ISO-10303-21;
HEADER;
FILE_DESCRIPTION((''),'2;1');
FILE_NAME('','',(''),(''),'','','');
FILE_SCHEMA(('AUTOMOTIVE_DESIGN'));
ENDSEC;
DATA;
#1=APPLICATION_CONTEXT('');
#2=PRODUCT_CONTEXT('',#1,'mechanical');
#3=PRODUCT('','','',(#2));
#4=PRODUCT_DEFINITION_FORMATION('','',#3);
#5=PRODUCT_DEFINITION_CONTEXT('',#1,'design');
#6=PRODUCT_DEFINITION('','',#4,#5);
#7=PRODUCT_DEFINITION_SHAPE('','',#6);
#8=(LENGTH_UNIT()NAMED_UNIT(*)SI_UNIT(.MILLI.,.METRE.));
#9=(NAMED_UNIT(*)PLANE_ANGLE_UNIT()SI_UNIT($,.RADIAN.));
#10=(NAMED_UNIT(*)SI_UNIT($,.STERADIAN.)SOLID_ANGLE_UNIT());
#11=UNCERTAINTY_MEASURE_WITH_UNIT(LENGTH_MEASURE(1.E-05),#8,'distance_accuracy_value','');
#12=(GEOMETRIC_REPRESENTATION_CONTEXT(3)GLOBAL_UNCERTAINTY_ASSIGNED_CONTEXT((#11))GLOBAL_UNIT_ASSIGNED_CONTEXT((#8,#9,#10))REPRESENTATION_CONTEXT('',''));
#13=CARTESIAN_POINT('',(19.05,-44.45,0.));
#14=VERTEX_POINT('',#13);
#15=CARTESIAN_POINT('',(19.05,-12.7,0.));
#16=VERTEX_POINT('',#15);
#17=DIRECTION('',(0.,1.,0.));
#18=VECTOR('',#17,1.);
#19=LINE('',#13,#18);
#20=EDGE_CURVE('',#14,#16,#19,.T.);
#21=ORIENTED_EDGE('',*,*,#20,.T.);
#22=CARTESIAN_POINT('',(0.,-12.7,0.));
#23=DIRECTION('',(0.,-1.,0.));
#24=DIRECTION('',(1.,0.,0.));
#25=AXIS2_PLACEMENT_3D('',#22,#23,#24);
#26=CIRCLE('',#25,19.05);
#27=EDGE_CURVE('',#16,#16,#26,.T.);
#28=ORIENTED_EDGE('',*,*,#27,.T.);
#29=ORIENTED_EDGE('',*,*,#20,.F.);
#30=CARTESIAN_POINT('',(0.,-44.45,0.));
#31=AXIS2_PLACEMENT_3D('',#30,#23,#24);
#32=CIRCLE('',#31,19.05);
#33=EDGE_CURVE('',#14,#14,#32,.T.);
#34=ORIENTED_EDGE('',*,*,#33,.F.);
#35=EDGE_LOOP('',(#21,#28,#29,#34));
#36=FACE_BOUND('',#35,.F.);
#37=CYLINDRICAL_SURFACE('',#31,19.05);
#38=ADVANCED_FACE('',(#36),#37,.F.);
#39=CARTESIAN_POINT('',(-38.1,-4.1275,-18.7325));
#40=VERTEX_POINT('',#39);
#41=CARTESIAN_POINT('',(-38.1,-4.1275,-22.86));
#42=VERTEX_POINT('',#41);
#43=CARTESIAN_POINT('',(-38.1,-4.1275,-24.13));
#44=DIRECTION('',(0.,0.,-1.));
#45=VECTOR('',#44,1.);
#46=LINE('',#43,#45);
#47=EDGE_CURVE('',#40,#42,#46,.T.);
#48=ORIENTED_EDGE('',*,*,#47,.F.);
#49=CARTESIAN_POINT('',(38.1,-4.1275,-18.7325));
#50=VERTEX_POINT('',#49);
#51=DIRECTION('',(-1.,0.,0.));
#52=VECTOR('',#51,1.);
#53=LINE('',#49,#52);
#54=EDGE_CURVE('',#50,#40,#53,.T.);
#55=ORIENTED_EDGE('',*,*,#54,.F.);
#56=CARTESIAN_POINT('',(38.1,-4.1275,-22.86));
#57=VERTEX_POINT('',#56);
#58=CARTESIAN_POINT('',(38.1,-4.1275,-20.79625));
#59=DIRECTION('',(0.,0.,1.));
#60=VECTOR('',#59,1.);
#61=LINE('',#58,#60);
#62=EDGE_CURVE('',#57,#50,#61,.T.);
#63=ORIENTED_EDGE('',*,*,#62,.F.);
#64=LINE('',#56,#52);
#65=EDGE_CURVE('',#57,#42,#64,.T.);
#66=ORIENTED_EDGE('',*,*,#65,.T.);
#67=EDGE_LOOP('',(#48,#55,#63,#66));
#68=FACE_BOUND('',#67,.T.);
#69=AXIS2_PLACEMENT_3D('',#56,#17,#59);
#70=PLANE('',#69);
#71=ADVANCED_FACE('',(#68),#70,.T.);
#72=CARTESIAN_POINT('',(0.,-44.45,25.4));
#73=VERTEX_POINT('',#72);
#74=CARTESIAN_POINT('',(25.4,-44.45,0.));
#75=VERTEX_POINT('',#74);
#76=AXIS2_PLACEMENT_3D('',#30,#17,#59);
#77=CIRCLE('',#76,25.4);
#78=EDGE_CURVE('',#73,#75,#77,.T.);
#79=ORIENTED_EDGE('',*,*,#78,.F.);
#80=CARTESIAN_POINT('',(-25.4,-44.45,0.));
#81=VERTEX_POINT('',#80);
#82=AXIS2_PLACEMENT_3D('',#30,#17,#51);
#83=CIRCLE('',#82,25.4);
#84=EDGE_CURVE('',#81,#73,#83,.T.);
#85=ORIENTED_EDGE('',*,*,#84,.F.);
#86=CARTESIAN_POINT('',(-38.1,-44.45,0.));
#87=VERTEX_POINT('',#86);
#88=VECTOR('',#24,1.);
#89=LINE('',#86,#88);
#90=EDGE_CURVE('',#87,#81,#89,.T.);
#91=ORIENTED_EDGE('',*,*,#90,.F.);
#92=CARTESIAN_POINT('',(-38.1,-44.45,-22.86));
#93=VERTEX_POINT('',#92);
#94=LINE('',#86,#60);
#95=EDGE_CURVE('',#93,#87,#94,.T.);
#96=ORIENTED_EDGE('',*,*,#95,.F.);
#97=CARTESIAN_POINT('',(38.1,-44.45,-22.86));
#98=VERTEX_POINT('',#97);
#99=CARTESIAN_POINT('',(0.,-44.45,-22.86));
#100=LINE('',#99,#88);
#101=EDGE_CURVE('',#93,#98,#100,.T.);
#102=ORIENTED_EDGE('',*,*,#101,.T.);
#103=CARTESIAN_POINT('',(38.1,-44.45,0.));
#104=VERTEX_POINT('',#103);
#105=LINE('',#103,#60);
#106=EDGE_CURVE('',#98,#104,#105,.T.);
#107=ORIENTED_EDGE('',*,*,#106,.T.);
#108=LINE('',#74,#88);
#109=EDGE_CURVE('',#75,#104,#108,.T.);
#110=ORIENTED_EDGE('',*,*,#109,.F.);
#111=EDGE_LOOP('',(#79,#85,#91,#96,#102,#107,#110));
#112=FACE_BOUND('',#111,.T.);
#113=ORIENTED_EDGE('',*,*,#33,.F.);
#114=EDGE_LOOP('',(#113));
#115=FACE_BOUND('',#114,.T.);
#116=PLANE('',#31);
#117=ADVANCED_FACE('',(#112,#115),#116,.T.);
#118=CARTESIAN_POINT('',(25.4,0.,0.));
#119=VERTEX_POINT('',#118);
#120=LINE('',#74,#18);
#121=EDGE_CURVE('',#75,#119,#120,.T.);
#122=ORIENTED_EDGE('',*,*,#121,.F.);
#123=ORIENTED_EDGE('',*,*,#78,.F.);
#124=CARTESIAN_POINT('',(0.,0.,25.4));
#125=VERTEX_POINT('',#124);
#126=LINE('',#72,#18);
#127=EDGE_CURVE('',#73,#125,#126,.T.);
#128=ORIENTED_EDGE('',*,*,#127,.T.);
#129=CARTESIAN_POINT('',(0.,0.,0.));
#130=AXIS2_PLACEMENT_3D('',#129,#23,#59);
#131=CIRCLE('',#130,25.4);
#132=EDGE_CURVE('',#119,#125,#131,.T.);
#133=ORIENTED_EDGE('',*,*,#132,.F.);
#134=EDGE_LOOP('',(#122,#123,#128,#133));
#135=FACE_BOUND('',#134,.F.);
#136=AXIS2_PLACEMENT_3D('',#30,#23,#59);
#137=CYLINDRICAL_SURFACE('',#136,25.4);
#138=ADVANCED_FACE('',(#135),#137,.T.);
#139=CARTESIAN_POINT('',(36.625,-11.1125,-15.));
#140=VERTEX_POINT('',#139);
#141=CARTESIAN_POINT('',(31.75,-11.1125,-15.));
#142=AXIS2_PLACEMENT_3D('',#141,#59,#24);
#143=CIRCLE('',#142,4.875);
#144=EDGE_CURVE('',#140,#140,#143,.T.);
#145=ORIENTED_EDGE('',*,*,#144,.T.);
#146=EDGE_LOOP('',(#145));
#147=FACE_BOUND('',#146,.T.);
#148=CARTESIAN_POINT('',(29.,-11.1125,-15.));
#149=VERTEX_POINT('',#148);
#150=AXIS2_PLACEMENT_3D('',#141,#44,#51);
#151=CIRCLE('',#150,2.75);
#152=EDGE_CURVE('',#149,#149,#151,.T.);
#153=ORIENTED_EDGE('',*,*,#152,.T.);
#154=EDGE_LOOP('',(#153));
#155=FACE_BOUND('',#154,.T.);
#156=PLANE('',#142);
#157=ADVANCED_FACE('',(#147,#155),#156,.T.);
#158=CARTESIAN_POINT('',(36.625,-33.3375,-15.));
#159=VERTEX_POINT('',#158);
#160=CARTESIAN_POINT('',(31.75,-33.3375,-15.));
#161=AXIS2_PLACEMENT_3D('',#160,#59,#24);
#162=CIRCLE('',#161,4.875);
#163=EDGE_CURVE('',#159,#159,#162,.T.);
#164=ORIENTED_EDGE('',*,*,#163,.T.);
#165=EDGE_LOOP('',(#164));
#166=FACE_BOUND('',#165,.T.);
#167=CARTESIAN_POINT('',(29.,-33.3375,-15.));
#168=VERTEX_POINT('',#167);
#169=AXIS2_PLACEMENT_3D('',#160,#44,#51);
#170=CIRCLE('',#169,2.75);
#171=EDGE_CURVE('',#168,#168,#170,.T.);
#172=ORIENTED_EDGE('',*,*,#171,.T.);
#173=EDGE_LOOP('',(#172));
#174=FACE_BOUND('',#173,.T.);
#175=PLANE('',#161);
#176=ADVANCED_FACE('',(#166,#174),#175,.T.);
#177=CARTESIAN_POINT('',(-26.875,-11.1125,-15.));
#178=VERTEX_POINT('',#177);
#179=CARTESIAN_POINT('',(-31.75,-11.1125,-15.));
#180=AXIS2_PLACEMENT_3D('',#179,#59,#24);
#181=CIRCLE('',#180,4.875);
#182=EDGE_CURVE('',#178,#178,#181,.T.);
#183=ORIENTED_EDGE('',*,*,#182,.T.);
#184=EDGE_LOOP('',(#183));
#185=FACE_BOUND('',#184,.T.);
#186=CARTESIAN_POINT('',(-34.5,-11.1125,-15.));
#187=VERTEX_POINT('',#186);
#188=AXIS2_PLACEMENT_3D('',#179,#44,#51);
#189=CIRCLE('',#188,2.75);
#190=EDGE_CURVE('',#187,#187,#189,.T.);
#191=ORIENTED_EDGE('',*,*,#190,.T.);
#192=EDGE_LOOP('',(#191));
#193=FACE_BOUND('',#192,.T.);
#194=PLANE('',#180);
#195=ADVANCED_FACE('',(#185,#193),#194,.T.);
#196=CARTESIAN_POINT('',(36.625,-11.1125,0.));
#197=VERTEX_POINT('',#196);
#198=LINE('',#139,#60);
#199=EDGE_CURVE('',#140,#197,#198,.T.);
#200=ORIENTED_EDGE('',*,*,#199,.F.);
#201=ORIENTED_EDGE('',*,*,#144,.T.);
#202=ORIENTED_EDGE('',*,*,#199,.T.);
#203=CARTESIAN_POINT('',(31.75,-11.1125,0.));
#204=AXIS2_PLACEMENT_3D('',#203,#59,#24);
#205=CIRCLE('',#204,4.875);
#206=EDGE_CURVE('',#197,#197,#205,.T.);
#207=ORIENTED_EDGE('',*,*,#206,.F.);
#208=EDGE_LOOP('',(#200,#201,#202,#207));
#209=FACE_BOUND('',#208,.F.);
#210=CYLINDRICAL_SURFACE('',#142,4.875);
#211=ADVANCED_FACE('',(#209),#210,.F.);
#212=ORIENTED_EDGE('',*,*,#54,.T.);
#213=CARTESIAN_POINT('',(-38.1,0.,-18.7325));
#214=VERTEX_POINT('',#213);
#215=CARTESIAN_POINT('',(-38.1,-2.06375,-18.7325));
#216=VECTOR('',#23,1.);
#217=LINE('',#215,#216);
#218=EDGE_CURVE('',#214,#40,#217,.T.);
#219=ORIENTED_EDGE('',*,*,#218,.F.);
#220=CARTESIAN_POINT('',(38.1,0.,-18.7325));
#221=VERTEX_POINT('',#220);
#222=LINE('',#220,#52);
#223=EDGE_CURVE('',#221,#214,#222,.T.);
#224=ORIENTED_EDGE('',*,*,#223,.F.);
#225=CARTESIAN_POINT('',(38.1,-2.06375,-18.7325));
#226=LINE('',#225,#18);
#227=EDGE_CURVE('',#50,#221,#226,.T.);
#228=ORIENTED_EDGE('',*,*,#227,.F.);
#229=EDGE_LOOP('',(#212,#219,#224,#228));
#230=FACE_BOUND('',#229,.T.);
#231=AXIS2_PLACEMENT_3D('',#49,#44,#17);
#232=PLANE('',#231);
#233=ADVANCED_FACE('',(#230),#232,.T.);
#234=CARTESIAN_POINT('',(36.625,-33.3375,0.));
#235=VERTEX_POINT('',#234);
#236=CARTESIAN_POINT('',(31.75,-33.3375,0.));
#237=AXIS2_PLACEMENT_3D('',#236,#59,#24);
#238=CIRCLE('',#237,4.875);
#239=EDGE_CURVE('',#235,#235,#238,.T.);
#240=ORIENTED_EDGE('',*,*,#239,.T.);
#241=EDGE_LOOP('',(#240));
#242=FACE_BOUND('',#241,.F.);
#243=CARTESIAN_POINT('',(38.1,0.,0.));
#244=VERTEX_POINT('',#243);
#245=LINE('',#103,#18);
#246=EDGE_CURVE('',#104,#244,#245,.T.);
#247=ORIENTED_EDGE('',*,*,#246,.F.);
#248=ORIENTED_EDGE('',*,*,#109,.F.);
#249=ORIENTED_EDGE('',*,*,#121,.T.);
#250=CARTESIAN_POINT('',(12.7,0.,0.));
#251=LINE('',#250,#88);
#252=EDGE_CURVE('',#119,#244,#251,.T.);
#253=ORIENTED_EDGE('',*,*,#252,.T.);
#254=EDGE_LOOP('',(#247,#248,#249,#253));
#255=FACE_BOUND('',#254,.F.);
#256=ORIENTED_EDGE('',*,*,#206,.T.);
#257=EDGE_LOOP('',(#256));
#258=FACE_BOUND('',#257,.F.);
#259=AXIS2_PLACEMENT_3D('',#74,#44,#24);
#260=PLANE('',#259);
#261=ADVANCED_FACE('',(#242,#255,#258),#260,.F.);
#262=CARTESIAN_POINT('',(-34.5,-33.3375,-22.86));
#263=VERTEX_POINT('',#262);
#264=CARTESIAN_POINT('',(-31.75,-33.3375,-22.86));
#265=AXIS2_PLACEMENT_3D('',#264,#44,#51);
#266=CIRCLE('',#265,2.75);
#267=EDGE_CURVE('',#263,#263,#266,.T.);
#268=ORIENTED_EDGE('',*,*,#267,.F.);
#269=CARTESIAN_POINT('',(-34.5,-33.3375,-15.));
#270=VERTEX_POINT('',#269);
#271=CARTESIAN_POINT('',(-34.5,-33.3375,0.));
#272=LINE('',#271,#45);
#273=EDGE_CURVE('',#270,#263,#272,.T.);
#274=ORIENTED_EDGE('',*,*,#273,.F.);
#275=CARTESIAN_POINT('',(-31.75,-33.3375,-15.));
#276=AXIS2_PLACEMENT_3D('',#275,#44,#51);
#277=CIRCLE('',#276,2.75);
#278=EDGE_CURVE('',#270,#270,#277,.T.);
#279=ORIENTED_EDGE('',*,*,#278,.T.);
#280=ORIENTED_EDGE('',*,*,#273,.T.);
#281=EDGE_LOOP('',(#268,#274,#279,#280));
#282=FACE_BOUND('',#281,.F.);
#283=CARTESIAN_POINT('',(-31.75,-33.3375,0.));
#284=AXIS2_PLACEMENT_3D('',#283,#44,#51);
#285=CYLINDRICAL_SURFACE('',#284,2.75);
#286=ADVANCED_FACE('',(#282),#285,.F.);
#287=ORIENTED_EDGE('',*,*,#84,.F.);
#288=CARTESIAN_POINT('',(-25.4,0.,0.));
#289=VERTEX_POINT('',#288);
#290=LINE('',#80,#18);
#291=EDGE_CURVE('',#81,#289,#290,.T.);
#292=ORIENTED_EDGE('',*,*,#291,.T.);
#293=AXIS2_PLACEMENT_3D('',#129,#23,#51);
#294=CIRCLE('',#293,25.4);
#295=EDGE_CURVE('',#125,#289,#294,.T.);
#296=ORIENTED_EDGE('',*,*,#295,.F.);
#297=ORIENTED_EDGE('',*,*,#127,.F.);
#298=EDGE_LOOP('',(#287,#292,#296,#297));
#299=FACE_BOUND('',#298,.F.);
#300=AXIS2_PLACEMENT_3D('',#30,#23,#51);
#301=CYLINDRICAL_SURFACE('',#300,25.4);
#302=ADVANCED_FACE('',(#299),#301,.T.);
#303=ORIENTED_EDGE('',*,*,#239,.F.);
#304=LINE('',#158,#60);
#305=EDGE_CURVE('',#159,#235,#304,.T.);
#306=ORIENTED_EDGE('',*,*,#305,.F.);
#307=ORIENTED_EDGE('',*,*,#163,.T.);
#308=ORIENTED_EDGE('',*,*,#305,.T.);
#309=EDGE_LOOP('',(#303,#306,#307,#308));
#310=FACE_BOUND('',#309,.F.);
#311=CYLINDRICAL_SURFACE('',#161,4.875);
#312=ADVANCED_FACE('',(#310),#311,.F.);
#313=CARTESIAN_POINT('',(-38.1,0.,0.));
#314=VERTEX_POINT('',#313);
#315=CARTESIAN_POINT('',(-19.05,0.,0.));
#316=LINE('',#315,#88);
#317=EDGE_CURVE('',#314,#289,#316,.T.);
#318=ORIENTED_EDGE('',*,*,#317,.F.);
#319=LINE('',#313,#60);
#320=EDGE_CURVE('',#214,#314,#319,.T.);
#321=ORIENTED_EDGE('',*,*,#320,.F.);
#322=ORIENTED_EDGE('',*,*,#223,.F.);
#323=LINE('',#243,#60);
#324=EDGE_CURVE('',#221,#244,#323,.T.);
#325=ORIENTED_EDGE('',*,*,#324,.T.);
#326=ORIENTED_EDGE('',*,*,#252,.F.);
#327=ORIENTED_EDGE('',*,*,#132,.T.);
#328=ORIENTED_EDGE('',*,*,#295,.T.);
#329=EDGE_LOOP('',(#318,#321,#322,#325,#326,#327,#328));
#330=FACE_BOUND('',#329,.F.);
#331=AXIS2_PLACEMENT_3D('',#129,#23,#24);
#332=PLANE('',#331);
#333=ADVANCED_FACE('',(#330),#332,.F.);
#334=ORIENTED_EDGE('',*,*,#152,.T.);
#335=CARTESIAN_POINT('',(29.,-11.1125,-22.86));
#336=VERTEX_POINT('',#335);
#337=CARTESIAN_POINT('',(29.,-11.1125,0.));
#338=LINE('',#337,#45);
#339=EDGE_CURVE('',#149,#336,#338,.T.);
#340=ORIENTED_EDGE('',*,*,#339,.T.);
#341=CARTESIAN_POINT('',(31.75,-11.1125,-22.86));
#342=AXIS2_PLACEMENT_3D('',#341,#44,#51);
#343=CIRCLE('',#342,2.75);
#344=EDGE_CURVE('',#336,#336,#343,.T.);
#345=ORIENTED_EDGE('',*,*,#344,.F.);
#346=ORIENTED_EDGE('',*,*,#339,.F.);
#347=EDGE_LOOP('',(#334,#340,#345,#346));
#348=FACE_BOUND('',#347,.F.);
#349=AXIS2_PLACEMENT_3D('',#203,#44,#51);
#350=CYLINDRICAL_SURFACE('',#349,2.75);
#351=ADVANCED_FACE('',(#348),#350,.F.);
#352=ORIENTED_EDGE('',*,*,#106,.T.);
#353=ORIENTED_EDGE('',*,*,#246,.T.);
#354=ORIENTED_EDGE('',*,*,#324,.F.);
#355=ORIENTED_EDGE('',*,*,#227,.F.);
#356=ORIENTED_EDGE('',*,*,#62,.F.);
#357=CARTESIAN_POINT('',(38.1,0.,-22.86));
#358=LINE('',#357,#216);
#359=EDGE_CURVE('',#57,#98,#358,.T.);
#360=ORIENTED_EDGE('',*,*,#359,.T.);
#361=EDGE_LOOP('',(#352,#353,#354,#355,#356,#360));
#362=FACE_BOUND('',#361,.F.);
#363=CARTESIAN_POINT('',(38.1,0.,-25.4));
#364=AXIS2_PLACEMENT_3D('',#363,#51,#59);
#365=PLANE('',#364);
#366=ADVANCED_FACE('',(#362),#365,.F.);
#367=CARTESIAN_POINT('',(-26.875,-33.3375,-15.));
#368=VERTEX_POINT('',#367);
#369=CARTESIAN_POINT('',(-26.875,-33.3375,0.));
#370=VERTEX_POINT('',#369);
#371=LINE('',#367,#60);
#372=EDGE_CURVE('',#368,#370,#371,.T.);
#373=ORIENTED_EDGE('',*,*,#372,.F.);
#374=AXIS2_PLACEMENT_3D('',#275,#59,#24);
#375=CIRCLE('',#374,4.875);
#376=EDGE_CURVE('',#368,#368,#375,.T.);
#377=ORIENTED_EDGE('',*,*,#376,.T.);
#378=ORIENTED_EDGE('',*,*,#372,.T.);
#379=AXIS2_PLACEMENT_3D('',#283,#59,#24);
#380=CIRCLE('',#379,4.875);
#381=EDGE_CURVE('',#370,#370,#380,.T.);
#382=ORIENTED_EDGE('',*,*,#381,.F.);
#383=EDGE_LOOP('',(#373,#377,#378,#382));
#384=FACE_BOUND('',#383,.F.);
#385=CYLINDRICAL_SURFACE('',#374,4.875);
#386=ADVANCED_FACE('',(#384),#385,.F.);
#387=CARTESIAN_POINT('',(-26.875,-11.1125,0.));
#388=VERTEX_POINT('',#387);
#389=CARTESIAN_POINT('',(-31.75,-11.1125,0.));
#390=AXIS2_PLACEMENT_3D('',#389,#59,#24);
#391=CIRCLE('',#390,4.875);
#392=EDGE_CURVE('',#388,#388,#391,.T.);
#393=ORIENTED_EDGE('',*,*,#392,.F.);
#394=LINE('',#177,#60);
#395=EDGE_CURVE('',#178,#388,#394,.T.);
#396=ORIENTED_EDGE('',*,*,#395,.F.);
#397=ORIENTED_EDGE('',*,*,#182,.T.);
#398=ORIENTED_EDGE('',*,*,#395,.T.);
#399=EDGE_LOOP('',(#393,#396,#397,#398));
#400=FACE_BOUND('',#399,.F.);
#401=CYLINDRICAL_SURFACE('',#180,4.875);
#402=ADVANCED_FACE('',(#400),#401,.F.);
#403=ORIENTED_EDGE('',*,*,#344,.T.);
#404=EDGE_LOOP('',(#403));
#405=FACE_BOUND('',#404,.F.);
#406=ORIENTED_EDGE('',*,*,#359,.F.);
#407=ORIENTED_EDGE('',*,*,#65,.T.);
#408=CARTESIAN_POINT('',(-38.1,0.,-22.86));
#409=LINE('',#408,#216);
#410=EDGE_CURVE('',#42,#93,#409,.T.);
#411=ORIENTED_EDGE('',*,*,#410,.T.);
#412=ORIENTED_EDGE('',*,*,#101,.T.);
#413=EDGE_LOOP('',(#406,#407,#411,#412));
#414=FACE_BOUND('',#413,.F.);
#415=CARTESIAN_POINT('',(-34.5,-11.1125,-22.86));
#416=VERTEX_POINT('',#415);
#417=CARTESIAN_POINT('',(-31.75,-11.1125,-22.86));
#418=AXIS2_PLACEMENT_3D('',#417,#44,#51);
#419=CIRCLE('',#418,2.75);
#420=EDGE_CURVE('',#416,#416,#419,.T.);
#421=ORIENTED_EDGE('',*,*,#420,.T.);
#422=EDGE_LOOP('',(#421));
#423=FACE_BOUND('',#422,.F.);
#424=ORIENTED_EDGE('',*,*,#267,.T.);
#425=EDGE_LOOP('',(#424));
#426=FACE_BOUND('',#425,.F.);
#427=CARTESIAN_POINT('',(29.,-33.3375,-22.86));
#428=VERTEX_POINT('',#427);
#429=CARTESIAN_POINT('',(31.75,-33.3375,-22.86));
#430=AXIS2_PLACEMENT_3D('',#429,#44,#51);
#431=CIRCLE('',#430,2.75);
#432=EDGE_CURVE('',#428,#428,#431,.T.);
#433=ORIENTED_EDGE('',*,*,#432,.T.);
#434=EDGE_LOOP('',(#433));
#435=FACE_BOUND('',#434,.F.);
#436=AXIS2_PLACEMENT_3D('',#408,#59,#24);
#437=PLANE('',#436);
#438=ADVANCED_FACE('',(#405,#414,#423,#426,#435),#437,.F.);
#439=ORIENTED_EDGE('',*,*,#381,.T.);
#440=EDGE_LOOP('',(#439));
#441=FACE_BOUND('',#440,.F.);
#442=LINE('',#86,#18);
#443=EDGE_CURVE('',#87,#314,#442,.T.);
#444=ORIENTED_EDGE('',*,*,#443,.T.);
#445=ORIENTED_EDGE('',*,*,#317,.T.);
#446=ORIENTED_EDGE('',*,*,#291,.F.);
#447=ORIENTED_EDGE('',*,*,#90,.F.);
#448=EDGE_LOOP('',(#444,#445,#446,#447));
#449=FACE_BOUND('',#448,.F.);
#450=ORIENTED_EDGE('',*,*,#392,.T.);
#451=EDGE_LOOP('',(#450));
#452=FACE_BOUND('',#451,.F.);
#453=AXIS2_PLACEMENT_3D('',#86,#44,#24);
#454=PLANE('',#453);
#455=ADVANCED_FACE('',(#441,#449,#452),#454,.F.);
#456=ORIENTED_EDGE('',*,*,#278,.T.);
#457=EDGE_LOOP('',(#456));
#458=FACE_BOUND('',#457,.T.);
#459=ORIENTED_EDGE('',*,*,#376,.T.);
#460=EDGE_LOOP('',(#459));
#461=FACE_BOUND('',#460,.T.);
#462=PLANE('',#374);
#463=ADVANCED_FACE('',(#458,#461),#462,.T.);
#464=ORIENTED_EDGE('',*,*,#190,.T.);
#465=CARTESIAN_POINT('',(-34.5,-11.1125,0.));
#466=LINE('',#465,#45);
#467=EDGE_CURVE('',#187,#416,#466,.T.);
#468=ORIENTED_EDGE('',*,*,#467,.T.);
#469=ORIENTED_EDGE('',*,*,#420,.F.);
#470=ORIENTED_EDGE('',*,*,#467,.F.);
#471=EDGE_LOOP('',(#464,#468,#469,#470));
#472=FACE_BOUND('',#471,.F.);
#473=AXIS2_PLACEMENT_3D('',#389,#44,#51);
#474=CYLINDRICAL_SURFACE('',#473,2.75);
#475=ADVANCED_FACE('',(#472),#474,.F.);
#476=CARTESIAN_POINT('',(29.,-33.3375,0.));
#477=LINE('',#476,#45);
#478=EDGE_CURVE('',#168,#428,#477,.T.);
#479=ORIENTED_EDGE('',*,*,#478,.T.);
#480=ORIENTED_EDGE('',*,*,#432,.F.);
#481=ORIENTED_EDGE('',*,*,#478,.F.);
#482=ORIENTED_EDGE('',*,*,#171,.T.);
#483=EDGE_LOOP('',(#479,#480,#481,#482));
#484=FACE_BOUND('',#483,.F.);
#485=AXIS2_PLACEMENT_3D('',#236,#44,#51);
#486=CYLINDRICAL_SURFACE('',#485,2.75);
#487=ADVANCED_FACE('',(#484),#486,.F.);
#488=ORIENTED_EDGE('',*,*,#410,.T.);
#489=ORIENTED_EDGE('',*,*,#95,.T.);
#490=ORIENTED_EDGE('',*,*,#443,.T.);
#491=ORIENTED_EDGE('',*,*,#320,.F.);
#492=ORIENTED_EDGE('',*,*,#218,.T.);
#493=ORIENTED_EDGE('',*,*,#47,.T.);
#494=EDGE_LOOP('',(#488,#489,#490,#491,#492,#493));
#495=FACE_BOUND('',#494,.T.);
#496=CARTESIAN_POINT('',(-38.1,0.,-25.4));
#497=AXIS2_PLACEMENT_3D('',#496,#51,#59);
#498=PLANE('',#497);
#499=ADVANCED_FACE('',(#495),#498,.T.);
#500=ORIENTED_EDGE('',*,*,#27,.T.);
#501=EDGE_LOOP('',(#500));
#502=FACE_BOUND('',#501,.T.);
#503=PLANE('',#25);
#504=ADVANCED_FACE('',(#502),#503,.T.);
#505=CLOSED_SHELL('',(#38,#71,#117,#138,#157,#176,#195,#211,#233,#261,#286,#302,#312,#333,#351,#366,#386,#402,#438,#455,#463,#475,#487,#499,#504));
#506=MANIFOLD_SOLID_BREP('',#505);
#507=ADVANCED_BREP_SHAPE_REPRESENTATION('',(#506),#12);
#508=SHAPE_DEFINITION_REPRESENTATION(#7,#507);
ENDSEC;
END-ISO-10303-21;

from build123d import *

# Parameters (mm, degrees)
F0_W           = 76.2
F0_H           = 50.8
F1_DEPTH       = 44.45
F2_R           = 19.05
F3_DEPTH       = 31.75
F5_DEPTH       = 62.992
F7_D           = 5.5
F7_DEPTH       = 254
F7_CBORE_D     = 9.75
F7_CBORE_DEPTH = 15
F7_TIP         = 1.6523667023
F8_DEPTH       = 2.54
F9_W           = 4.1275
F9_H           = 4.1275
F10_DEPTH      = 86.36


with BuildPart() as f1:
    # F0 (on Front) → F1 (new body)
    with BuildSketch(Plane.XZ):
        Rectangle(F0_W, F0_H)
    extrude(amount=F1_DEPTH)

    # F2 (on face) → F3 (cut)
    with BuildSketch(Plane.XZ.offset(44.45)):
        Circle(F2_R)
    extrude(amount=-F3_DEPTH, mode=Mode.SUBTRACT)

    # F4 (on face) → F5 (cut)
    with BuildSketch(Plane.XZ.offset(44.45)):
        with BuildLine():
            ThreePointArc((1.5e-09, 25.4), (17.9605122427, 17.9605122416), (25.4, 0))
            Line((25.4, 0), (38.1, 0))
            Line((38.1, 0), (38.1, 25.4))
            Line((38.1, 25.4), (1.5e-09, 25.4))
        make_face()
        with BuildLine():
            ThreePointArc((-25.4, 0), (-17.9605122416, 17.9605122427), (1.5e-09, 25.4))
            Line((1.5e-09, 25.4), (-38.1, 25.4))
            Line((-38.1, 25.4), (-38.1, 0))
            Line((-38.1, 0), (-25.4, 0))
        make_face()
    extrude(amount=-F5_DEPTH, mode=Mode.SUBTRACT)

    # F7
    with Locations(Plane.XY):
        with Locations((-31.75, -11.1125), (-31.75, -33.3375), (31.75, -33.3375), (31.75, -11.1125)):
            CounterBoreHole(F7_D / 2, F7_CBORE_D / 2, F7_CBORE_DEPTH, depth=F7_DEPTH)
            with Locations((0, 0, -(F7_DEPTH + F7_TIP / 2))):  # 118° drill point
                Cone(0, F7_D / 2, F7_TIP, mode=Mode.SUBTRACT)

    # F8 (cut): a face of the model
    f8_faces = [f1.faces().sort_by_distance(p)[0] for p in [
        (0, -22.225, -25.4),
    ]]
    extrude(f8_faces, amount=-F8_DEPTH, mode=Mode.SUBTRACT)

    # F9 (on face) → F10 (cut)
    with BuildSketch(Plane.YZ.offset(38.1)):
        with Locations((-2.06375, -20.79625)):
            Rectangle(F9_W, F9_H)
    extrude(amount=-F10_DEPTH, mode=Mode.SUBTRACT)


solid = f1.part
